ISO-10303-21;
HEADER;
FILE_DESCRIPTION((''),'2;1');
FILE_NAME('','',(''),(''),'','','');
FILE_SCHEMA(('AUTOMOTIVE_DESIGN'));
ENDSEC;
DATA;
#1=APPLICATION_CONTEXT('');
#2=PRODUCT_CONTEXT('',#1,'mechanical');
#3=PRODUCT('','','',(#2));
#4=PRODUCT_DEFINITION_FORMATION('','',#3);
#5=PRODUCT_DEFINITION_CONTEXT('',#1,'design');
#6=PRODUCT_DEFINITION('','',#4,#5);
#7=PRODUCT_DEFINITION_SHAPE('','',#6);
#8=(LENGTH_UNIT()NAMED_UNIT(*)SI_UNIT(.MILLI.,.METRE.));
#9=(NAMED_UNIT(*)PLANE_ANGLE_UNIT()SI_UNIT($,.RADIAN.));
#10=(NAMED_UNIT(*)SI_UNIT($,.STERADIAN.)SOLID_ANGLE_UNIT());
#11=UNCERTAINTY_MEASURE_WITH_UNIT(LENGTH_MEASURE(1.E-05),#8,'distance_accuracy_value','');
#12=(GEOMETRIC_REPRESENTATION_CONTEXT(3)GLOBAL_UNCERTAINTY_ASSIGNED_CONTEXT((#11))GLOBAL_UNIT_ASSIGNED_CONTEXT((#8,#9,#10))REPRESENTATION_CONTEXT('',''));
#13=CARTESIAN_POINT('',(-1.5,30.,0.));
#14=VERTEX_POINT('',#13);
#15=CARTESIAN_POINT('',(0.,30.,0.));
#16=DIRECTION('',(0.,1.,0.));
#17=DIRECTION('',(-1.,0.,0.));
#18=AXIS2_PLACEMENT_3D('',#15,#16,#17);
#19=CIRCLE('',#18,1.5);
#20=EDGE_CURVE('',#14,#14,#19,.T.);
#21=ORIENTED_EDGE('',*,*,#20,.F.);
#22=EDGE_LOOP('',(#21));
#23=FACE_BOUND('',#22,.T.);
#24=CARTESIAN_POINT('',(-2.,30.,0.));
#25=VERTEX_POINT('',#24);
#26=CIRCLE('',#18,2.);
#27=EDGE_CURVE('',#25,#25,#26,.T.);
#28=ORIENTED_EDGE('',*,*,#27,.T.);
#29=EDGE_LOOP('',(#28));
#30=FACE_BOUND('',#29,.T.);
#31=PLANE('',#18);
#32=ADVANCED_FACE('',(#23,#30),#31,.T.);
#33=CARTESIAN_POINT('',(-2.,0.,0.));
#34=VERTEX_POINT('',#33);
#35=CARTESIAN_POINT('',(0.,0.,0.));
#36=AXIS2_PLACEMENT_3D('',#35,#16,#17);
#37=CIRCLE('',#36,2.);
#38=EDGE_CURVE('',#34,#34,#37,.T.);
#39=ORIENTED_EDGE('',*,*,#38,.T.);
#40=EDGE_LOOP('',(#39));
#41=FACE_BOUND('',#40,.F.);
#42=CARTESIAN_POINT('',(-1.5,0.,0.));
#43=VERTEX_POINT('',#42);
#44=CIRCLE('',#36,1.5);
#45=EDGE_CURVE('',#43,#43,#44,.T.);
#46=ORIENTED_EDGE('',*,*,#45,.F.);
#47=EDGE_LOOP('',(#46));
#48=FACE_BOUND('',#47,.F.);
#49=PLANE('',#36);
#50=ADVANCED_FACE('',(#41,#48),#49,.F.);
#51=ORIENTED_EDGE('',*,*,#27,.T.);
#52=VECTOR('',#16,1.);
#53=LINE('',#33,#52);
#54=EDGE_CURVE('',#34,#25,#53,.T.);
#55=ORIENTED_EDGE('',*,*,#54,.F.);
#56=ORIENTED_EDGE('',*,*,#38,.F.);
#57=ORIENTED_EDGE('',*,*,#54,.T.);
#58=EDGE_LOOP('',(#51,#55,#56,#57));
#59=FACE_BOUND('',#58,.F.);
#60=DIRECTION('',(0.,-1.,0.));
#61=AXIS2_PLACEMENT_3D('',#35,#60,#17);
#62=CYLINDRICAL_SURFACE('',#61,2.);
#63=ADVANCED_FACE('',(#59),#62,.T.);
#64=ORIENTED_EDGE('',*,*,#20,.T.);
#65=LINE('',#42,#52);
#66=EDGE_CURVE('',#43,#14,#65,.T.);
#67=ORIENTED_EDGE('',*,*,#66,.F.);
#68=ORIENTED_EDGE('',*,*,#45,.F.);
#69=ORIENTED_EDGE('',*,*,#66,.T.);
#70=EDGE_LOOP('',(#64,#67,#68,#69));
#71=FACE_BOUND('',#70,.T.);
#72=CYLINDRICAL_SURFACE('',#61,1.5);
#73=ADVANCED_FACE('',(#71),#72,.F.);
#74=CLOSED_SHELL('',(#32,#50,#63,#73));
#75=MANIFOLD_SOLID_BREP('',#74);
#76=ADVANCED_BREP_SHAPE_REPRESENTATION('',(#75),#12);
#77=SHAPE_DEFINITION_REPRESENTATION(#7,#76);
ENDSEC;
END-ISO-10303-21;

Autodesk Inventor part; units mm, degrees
ref_plane "YZ Plane" through (0, 0, 0) normal (1, 0, 0) x (0, 1, 0)
ref_plane "XZ Plane" through (0, 0, 0) normal (0, 1, 0) x (-1, 0, 0)
ref_plane "XY Plane" through (0, 0, 0) normal (0, 0, 1) x (1, 0, 0)
sketch "Esquisse1" plane through (0, 0, 0) normal (0, 1, 0) x (-1, 0, 0)
  circle A0 centre (0, 0) radius 1.5
  circle A1 centre (0, 0) radius 2
  dimension "d0" = 4
  dimension "d1" = 3
extrude "Extrusion1" add sketch "Esquisse1" along normal blind 30
properties part number "tube_laiton"
